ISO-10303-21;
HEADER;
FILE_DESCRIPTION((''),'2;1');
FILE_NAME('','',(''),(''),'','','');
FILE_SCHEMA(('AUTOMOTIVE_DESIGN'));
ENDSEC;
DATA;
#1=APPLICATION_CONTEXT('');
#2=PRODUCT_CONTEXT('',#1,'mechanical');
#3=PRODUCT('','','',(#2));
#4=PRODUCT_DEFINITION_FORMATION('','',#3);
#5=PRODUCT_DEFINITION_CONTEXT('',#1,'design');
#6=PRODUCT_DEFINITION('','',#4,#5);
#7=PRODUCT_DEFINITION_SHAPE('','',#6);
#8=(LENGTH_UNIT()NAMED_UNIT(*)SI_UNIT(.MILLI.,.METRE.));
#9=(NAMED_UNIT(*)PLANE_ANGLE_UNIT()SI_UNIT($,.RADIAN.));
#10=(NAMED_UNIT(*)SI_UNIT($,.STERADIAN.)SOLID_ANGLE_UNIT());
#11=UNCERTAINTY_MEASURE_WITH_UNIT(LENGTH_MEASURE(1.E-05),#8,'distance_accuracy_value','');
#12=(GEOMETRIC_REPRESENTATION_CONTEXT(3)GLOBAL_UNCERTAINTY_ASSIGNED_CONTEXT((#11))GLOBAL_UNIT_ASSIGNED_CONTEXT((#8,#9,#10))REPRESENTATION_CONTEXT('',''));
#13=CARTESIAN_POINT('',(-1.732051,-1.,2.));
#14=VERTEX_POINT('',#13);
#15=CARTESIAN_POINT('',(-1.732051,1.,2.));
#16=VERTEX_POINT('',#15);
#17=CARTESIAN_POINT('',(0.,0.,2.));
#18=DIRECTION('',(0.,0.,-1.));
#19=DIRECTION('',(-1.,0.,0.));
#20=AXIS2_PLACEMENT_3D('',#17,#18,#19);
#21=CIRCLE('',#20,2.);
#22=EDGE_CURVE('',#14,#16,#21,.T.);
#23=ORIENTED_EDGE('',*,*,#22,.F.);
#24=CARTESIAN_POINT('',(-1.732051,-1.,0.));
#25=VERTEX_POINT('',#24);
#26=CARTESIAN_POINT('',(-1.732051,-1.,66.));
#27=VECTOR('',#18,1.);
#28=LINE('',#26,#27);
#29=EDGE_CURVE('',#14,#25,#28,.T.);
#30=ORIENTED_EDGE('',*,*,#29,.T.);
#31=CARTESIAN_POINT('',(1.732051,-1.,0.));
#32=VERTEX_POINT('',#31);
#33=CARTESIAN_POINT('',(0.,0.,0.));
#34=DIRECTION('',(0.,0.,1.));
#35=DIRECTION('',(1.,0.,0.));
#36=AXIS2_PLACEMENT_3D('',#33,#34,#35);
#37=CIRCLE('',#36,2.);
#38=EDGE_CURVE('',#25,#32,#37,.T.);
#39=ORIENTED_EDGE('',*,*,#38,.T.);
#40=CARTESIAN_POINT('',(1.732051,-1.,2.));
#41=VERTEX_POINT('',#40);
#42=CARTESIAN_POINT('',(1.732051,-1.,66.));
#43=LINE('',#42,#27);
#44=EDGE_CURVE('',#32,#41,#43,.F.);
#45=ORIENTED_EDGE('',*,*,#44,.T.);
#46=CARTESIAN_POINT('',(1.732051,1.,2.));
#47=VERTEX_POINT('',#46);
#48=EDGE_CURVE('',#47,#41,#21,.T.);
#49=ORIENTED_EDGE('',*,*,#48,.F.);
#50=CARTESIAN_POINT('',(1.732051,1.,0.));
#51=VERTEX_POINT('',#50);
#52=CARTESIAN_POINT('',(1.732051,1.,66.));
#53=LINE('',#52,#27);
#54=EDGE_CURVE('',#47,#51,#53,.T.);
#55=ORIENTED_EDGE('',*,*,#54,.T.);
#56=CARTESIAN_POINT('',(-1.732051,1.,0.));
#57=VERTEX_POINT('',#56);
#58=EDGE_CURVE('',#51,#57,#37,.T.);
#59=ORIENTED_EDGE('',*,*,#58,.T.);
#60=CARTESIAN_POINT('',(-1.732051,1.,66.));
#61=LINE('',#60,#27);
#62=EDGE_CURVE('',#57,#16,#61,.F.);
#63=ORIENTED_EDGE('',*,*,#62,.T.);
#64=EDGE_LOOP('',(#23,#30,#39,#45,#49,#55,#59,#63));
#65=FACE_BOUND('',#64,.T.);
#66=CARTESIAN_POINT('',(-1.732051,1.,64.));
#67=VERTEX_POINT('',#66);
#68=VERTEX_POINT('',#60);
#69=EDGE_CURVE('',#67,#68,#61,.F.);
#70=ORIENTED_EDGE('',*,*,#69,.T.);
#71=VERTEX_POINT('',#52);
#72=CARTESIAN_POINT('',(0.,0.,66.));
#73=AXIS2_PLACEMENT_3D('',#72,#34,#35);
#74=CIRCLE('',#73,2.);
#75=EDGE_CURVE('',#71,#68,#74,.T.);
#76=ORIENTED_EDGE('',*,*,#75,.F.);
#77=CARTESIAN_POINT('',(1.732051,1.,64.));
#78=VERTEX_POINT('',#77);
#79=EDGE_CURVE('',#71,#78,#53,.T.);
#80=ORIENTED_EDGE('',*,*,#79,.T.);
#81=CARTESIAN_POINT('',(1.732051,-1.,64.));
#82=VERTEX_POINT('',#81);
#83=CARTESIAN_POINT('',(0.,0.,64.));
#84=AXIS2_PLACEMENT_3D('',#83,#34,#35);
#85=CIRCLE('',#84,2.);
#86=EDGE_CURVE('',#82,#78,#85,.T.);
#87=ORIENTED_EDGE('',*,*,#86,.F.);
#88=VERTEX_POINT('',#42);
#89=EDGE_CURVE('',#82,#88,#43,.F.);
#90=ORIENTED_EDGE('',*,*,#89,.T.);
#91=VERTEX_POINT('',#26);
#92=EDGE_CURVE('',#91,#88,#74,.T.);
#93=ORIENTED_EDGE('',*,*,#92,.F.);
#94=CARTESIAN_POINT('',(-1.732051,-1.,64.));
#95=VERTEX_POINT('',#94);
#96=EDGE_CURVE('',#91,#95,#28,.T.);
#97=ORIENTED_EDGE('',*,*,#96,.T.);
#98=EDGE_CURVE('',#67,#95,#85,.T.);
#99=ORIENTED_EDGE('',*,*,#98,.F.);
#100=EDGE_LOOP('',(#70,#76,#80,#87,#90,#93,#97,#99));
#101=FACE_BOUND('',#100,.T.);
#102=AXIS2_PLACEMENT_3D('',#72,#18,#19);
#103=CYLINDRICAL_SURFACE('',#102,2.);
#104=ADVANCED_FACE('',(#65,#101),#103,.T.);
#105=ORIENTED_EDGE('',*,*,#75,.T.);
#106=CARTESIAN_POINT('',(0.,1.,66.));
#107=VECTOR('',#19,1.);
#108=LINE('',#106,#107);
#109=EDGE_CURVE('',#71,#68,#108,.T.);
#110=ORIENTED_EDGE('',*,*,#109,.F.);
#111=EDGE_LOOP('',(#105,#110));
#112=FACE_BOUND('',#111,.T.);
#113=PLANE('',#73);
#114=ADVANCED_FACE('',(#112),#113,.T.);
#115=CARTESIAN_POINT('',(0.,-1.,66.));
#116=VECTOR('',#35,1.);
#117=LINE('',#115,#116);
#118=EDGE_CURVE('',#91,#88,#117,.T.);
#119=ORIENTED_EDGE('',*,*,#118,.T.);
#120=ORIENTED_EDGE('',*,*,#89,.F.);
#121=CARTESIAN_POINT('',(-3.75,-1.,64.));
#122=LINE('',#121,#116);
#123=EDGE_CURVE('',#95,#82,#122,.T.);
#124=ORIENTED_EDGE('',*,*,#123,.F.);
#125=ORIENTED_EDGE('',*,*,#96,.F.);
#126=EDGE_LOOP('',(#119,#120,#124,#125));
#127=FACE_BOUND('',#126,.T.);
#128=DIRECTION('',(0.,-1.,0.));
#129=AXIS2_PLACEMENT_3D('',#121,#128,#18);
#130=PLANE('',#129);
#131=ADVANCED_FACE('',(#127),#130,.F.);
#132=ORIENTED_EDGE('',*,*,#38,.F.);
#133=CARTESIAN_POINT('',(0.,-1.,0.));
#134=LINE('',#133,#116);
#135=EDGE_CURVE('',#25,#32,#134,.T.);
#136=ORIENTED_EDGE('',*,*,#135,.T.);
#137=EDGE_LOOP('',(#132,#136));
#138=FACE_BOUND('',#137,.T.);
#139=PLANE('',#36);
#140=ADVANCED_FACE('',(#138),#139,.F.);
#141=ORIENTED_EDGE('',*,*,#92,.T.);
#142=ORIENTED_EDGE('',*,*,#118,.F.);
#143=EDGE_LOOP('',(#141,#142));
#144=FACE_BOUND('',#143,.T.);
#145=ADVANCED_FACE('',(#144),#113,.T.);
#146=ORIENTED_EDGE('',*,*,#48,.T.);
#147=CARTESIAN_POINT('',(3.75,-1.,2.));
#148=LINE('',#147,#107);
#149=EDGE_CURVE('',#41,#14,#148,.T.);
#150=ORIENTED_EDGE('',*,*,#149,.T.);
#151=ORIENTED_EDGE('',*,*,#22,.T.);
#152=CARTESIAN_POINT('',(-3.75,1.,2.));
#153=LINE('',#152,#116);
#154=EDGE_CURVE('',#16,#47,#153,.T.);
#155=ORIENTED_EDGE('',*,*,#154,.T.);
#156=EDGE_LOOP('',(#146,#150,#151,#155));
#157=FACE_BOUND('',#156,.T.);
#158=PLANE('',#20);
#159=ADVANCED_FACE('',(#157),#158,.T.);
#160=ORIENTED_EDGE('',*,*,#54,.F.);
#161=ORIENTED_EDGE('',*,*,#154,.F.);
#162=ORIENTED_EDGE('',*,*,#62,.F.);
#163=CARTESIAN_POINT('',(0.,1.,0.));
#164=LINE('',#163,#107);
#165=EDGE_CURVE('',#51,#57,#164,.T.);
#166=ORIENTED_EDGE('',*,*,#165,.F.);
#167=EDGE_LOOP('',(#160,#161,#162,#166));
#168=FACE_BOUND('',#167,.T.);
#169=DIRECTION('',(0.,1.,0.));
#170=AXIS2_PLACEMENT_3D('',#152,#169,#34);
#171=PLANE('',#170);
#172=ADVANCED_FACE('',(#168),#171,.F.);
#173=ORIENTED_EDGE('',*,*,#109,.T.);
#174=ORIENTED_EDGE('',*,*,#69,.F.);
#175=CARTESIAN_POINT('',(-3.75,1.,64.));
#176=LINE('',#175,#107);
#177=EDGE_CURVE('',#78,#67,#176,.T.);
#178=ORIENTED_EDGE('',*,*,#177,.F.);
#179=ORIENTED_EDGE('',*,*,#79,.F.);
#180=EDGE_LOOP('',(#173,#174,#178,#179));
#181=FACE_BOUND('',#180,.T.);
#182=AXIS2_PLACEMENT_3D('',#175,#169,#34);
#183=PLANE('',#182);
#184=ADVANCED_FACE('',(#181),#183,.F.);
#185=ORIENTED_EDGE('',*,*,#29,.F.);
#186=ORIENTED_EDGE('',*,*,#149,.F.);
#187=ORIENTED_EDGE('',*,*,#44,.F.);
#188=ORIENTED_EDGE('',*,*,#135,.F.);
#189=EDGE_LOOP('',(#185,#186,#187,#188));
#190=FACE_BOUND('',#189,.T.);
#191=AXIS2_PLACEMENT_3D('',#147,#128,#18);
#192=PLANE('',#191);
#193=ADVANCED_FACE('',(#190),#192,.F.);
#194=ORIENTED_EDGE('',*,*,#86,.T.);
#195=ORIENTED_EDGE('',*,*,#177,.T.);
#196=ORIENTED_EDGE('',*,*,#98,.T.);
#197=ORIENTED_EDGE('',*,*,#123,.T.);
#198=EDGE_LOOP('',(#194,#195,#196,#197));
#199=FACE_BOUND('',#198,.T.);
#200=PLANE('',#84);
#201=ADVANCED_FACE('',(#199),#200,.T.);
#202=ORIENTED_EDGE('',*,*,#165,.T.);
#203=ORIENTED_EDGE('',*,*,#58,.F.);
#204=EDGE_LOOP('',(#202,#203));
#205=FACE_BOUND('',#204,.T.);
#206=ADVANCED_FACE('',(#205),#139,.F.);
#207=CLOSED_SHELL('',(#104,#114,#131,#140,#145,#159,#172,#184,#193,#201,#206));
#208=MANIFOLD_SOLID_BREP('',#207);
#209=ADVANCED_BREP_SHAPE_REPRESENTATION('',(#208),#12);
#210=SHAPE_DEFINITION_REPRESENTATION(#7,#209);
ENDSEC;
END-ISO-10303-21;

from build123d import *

# Parameters (mm, degrees)
ESQUISSE1_R             = 2
BOSS_EXTRU_1_DEPTH      = 66
ESQUISSE2_W             = 7.5
ESQUISSE2_H             = 2
ENL_V_MAT_EXTRU_1_DEPTH = 2
ESQUISSE3_W             = 7.5
ESQUISSE3_H             = 2
ENL_V_MAT_EXTRU_2_DEPTH = 2


with BuildPart() as part:
    # Esquisse1 → Boss.-Extru.1 (new body)
    with BuildSketch(Plane.XY):
        Circle(ESQUISSE1_R)
    extrude(amount=BOSS_EXTRU_1_DEPTH)

    # Esquisse2 → Enlèv. mat.-Extru.1 (cut)
    with BuildSketch(Plane.XY.offset(66)):
        Rectangle(ESQUISSE2_W, ESQUISSE2_H)
    extrude(amount=-ENL_V_MAT_EXTRU_1_DEPTH, mode=Mode.SUBTRACT)

    # Esquisse3 → Enlèv. mat.-Extru.2 (cut)
    with BuildSketch(Plane(origin=(0, 0, 0), x_dir=(-1, 0, 0), z_dir=(0, 0, -1))):
        Rectangle(ESQUISSE3_W, ESQUISSE3_H)
    extrude(amount=-ENL_V_MAT_EXTRU_2_DEPTH, mode=Mode.SUBTRACT)


solid = part.part
